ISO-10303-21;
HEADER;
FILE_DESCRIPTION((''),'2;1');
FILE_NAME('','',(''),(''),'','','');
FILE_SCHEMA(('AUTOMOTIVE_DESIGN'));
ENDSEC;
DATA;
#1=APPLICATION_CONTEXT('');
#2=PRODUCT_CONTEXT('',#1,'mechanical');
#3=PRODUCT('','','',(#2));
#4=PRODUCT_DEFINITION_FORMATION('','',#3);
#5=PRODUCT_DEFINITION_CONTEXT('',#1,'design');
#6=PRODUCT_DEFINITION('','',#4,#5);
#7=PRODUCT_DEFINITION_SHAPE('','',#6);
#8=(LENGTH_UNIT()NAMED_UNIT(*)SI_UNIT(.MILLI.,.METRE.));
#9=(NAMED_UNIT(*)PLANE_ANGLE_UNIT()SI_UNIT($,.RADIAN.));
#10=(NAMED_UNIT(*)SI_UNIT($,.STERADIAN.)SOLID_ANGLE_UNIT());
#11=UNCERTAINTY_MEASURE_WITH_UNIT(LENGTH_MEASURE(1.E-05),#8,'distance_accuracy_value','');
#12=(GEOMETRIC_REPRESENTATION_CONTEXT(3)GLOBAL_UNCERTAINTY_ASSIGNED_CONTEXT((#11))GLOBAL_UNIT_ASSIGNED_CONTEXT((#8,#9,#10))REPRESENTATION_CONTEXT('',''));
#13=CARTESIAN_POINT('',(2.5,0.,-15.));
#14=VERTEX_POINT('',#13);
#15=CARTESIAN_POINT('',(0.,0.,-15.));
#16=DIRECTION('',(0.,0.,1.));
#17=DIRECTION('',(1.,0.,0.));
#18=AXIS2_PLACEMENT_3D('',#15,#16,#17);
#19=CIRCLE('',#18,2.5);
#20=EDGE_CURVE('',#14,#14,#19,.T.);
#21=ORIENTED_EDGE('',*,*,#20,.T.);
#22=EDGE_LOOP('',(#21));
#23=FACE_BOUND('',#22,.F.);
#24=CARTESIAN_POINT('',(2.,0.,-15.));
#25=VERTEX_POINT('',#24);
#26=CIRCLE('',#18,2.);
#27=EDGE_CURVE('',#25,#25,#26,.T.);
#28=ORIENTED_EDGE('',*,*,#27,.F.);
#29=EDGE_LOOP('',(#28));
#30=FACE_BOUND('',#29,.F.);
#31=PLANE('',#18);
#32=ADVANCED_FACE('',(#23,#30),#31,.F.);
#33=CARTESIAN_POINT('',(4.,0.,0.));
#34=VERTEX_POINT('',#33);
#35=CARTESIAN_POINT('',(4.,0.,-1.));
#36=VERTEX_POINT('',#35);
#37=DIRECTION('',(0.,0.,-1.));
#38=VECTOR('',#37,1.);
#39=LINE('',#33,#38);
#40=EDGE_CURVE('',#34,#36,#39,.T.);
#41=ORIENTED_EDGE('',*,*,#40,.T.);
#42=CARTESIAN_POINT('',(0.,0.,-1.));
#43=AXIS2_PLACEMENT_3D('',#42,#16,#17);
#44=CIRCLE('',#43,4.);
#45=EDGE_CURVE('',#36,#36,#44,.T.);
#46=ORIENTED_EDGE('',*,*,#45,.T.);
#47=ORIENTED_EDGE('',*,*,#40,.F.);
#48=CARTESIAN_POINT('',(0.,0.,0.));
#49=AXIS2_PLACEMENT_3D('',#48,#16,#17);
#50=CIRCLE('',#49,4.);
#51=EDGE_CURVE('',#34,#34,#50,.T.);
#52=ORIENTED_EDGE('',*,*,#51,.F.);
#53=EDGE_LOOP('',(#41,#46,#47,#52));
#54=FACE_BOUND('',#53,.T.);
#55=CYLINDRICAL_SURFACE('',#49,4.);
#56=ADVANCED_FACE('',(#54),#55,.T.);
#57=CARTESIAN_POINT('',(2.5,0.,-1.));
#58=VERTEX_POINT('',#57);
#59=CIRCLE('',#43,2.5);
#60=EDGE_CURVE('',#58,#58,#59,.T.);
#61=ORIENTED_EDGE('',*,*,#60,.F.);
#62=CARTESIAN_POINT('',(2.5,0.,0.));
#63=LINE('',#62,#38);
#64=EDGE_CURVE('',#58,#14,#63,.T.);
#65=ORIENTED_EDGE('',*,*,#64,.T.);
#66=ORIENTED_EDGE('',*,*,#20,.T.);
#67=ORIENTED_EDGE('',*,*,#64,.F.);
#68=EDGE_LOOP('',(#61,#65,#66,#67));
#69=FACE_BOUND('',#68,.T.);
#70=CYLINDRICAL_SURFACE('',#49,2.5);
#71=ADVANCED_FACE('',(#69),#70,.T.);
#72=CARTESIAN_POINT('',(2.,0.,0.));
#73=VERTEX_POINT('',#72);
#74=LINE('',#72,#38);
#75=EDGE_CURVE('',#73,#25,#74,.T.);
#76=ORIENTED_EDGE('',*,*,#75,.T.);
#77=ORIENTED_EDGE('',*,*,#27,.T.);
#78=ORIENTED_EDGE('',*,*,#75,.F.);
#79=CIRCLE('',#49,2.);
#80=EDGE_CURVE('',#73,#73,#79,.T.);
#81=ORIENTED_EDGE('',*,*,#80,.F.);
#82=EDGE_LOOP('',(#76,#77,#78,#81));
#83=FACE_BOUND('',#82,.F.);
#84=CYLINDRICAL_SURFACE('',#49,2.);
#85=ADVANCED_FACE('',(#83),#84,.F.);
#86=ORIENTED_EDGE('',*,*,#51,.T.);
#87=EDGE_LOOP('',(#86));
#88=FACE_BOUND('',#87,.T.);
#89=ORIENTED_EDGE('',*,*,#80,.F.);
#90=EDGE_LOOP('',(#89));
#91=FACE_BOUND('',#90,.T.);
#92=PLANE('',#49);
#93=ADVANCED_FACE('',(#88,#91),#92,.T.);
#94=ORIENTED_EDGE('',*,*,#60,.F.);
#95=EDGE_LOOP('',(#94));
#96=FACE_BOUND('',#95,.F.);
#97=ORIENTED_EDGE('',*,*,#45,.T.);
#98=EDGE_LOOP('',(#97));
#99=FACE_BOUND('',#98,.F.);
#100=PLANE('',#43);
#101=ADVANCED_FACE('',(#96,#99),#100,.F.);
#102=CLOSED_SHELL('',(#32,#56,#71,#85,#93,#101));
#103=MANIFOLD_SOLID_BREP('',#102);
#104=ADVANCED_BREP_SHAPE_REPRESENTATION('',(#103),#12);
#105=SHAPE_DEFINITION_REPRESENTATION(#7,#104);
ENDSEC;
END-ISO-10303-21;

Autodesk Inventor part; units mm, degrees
ref_plane "YZ Plane" through (0, 0, 0) normal (1, 0, 0) x (0, 1, 0)
ref_plane "XZ Plane" through (0, 0, 0) normal (0, 1, 0) x (-1, 0, 0)
ref_plane "XY Plane" through (0, 0, 0) normal (0, 0, 1) x (1, 0, 0)
sketch "Boceto1" plane through (0, 0, 0) normal (0, 0, 1) x (1, 0, 0)
  circle A0 centre (0, 0) radius 2
  circle A1 centre (0, 0) radius 2.5
  dimension "d0" = 4
  dimension "d1" = 5
extrude "Extrusión1" add sketch "Boceto1" against normal blind 15
sketch "Boceto2" plane through (0, 0, 0) normal (0, 0, 1) x (1, 0, 0)
  circle A0 centre (0, 0) radius 2.5 projected
  circle A1 centre (0, 0) radius 4
  circle A2 centre (0, 0) radius 2.5
  dimension "d5" = 8
extrude "Extrusión2" add sketch "Boceto2" against normal blind 1
thread "Rosca1" size "M5x0.8" class "6g" standard "ANSI Metric M Profile" full length
properties part number "Resistencia_Tornillo" material "Aluminio 6061"
